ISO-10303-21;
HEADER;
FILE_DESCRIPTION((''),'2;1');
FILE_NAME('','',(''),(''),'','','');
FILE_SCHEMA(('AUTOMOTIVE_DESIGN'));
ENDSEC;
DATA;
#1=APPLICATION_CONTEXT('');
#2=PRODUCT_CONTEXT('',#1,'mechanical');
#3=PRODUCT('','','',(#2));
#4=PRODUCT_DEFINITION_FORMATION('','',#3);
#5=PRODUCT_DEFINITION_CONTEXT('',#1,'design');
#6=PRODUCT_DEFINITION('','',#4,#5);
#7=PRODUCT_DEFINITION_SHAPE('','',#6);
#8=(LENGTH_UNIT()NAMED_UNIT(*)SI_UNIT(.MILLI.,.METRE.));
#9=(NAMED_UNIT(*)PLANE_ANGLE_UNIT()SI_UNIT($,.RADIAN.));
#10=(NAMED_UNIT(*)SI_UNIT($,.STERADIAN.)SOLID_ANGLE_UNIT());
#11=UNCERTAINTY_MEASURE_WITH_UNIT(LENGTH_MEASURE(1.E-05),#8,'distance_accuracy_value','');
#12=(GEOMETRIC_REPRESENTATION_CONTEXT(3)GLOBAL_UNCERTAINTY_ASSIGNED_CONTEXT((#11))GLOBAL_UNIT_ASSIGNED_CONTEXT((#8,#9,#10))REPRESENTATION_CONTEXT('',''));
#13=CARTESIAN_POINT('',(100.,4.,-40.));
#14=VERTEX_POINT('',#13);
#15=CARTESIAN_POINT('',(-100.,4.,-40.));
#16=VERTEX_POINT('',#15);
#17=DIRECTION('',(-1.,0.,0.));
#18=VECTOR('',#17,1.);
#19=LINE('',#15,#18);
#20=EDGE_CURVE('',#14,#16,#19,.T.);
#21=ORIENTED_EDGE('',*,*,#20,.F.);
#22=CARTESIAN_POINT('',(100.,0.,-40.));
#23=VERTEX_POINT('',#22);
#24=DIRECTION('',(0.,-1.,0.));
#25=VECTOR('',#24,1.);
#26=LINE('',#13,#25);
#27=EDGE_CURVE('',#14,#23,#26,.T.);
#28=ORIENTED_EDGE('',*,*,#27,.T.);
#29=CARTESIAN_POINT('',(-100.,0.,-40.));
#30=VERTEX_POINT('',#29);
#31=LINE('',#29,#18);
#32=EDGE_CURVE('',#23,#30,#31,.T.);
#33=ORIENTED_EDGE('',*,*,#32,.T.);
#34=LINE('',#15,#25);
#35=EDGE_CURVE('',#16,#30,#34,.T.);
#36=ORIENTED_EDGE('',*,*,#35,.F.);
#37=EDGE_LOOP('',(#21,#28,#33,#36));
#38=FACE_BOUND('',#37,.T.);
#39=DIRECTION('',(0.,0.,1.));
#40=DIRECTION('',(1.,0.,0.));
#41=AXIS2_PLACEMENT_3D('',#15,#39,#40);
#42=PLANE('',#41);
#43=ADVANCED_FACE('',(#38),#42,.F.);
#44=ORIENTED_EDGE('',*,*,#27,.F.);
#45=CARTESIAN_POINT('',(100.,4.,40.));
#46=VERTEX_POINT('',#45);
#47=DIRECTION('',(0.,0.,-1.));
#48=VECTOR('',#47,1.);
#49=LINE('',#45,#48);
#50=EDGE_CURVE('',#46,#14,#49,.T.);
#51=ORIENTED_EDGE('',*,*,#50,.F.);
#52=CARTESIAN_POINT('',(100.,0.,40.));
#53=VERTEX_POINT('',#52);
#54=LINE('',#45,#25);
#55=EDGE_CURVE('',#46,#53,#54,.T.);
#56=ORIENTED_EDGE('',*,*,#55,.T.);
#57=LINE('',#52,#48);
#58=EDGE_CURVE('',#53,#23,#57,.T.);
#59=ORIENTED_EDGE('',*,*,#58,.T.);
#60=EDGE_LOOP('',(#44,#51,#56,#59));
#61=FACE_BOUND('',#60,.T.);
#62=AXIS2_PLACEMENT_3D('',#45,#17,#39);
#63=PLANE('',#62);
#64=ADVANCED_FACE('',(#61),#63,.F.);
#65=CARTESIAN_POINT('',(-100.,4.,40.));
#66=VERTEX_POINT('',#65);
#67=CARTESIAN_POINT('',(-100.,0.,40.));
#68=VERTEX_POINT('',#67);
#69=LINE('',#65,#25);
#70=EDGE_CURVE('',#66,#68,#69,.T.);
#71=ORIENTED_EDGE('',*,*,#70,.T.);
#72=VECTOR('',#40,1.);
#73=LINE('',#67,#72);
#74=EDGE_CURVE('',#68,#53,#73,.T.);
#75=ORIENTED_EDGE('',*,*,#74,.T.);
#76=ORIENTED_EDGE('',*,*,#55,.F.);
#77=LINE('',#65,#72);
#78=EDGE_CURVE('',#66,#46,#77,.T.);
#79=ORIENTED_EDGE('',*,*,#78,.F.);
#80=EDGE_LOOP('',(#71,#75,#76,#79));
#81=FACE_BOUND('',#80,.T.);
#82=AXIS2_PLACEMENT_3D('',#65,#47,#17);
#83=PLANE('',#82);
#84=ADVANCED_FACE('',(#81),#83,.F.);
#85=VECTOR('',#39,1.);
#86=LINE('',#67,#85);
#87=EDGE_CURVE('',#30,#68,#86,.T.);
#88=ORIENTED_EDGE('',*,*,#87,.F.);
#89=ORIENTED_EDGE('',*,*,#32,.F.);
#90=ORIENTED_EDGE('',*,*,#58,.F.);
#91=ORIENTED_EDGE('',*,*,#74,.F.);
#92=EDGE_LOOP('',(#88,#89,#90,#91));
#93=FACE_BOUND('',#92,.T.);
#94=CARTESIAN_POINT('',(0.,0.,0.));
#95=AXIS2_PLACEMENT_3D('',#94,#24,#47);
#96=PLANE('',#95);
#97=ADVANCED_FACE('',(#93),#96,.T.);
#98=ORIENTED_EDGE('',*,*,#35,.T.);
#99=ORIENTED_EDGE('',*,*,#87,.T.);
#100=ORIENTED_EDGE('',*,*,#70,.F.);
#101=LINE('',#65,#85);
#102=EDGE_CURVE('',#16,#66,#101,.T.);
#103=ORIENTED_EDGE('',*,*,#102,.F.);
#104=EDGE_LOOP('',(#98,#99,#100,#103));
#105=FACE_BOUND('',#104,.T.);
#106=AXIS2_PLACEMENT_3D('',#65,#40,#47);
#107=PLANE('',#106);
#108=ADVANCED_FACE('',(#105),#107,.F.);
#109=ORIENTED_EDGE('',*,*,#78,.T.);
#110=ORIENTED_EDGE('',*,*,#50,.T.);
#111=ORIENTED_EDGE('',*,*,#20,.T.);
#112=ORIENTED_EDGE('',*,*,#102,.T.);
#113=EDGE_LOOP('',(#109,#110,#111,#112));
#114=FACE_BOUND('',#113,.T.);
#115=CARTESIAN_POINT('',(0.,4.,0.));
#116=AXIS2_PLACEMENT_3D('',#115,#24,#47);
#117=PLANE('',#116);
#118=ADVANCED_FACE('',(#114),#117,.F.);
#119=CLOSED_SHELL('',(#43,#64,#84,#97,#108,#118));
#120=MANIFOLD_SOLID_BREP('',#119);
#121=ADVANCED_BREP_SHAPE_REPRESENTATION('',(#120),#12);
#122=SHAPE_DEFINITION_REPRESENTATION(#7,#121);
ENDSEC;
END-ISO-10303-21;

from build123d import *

# Parameters (mm, degrees)
SKETCH1_W           = 200
SKETCH1_H           = 80
BOSS_EXTRUDE1_DEPTH = 4


with BuildPart() as part:
    # Sketch1 → Boss-Extrude1 (new body)
    with BuildSketch(Plane(origin=(0, 0, 0), x_dir=(1, 0, 0), z_dir=(0, 1, 0))):
        Rectangle(SKETCH1_W, SKETCH1_H)
    extrude(amount=BOSS_EXTRUDE1_DEPTH)


solid = part.part
